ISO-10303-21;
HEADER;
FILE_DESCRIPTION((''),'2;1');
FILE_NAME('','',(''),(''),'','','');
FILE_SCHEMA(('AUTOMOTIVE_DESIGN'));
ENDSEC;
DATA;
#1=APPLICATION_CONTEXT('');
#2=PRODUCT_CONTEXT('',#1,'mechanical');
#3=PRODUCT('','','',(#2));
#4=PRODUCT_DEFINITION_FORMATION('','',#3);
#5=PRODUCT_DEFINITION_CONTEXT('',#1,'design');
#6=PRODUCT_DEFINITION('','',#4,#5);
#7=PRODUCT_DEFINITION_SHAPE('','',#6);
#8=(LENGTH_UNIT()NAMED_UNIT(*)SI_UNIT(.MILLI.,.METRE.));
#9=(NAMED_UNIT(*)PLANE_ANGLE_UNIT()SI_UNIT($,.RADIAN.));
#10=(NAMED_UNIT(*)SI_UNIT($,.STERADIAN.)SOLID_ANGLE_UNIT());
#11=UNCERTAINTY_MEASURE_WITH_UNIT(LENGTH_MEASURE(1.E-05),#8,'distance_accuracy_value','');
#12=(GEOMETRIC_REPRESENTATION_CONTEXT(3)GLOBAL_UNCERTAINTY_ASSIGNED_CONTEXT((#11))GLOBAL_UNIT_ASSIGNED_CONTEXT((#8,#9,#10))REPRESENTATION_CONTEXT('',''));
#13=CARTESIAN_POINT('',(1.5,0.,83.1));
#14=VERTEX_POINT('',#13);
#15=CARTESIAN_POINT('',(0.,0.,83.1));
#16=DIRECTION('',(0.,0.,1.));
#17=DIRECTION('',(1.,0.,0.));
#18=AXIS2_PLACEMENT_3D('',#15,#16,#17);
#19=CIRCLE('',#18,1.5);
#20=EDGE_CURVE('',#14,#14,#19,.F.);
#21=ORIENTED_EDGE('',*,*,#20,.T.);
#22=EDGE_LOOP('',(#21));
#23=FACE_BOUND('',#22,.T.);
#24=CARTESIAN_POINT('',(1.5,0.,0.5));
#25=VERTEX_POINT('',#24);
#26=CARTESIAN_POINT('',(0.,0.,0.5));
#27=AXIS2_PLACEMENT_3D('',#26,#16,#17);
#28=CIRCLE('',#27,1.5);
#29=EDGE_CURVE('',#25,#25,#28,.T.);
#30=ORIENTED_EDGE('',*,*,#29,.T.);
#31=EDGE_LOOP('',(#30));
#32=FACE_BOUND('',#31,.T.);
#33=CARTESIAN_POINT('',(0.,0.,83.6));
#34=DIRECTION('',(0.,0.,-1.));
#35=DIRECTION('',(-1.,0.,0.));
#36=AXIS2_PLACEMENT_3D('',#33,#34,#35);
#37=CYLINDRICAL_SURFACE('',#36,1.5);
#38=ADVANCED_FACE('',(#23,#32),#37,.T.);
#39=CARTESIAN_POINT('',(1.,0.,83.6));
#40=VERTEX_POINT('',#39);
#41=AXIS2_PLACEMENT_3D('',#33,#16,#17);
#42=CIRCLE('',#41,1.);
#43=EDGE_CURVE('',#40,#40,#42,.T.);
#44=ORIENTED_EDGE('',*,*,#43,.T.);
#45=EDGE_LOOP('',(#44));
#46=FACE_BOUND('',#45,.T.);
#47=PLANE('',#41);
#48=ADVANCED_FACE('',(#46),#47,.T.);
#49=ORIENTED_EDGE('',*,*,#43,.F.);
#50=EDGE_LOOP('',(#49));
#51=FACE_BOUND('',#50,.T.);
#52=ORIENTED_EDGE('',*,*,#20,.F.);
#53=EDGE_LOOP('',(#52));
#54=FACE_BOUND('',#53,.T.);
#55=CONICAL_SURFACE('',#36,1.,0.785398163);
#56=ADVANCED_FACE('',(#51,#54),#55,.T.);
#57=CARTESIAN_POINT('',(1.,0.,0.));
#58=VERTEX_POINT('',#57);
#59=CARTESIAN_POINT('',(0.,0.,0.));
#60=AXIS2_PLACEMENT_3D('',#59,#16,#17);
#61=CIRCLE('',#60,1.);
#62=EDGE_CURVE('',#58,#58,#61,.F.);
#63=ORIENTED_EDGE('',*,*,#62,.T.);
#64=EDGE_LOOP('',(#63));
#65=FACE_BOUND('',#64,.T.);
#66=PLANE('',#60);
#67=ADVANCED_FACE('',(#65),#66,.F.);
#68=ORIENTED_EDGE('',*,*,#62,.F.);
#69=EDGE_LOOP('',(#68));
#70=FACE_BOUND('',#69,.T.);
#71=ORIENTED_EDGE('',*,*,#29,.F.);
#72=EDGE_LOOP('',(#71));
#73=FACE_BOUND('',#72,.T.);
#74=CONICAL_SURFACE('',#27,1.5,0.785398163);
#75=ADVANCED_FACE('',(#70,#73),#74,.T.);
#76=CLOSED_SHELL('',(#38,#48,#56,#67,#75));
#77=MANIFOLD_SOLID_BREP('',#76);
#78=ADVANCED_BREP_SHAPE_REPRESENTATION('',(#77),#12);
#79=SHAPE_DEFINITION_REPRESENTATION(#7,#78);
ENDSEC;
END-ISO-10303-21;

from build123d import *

# Parameters (mm, degrees)
ESQUISSE1_R          = 1.5
BASE_EXTRUSION_DEPTH = 83.6
CHANFREIN1_SIZE      = 0.5


with BuildPart() as part:
    # Esquisse1 → Base-Extrusion (new body)
    with BuildSketch(Plane.XY):
        Circle(ESQUISSE1_R)
    extrude(amount=BASE_EXTRUSION_DEPTH)

    # Chanfrein1
    chanfrein1_edges = [part.edges().sort_by_distance(p)[0] for p in [
        (-1.5, 0, 0),
        (-1.5, 0, 83.6),
    ]]
    chamfer(chanfrein1_edges, length=CHANFREIN1_SIZE)


solid = part.part
